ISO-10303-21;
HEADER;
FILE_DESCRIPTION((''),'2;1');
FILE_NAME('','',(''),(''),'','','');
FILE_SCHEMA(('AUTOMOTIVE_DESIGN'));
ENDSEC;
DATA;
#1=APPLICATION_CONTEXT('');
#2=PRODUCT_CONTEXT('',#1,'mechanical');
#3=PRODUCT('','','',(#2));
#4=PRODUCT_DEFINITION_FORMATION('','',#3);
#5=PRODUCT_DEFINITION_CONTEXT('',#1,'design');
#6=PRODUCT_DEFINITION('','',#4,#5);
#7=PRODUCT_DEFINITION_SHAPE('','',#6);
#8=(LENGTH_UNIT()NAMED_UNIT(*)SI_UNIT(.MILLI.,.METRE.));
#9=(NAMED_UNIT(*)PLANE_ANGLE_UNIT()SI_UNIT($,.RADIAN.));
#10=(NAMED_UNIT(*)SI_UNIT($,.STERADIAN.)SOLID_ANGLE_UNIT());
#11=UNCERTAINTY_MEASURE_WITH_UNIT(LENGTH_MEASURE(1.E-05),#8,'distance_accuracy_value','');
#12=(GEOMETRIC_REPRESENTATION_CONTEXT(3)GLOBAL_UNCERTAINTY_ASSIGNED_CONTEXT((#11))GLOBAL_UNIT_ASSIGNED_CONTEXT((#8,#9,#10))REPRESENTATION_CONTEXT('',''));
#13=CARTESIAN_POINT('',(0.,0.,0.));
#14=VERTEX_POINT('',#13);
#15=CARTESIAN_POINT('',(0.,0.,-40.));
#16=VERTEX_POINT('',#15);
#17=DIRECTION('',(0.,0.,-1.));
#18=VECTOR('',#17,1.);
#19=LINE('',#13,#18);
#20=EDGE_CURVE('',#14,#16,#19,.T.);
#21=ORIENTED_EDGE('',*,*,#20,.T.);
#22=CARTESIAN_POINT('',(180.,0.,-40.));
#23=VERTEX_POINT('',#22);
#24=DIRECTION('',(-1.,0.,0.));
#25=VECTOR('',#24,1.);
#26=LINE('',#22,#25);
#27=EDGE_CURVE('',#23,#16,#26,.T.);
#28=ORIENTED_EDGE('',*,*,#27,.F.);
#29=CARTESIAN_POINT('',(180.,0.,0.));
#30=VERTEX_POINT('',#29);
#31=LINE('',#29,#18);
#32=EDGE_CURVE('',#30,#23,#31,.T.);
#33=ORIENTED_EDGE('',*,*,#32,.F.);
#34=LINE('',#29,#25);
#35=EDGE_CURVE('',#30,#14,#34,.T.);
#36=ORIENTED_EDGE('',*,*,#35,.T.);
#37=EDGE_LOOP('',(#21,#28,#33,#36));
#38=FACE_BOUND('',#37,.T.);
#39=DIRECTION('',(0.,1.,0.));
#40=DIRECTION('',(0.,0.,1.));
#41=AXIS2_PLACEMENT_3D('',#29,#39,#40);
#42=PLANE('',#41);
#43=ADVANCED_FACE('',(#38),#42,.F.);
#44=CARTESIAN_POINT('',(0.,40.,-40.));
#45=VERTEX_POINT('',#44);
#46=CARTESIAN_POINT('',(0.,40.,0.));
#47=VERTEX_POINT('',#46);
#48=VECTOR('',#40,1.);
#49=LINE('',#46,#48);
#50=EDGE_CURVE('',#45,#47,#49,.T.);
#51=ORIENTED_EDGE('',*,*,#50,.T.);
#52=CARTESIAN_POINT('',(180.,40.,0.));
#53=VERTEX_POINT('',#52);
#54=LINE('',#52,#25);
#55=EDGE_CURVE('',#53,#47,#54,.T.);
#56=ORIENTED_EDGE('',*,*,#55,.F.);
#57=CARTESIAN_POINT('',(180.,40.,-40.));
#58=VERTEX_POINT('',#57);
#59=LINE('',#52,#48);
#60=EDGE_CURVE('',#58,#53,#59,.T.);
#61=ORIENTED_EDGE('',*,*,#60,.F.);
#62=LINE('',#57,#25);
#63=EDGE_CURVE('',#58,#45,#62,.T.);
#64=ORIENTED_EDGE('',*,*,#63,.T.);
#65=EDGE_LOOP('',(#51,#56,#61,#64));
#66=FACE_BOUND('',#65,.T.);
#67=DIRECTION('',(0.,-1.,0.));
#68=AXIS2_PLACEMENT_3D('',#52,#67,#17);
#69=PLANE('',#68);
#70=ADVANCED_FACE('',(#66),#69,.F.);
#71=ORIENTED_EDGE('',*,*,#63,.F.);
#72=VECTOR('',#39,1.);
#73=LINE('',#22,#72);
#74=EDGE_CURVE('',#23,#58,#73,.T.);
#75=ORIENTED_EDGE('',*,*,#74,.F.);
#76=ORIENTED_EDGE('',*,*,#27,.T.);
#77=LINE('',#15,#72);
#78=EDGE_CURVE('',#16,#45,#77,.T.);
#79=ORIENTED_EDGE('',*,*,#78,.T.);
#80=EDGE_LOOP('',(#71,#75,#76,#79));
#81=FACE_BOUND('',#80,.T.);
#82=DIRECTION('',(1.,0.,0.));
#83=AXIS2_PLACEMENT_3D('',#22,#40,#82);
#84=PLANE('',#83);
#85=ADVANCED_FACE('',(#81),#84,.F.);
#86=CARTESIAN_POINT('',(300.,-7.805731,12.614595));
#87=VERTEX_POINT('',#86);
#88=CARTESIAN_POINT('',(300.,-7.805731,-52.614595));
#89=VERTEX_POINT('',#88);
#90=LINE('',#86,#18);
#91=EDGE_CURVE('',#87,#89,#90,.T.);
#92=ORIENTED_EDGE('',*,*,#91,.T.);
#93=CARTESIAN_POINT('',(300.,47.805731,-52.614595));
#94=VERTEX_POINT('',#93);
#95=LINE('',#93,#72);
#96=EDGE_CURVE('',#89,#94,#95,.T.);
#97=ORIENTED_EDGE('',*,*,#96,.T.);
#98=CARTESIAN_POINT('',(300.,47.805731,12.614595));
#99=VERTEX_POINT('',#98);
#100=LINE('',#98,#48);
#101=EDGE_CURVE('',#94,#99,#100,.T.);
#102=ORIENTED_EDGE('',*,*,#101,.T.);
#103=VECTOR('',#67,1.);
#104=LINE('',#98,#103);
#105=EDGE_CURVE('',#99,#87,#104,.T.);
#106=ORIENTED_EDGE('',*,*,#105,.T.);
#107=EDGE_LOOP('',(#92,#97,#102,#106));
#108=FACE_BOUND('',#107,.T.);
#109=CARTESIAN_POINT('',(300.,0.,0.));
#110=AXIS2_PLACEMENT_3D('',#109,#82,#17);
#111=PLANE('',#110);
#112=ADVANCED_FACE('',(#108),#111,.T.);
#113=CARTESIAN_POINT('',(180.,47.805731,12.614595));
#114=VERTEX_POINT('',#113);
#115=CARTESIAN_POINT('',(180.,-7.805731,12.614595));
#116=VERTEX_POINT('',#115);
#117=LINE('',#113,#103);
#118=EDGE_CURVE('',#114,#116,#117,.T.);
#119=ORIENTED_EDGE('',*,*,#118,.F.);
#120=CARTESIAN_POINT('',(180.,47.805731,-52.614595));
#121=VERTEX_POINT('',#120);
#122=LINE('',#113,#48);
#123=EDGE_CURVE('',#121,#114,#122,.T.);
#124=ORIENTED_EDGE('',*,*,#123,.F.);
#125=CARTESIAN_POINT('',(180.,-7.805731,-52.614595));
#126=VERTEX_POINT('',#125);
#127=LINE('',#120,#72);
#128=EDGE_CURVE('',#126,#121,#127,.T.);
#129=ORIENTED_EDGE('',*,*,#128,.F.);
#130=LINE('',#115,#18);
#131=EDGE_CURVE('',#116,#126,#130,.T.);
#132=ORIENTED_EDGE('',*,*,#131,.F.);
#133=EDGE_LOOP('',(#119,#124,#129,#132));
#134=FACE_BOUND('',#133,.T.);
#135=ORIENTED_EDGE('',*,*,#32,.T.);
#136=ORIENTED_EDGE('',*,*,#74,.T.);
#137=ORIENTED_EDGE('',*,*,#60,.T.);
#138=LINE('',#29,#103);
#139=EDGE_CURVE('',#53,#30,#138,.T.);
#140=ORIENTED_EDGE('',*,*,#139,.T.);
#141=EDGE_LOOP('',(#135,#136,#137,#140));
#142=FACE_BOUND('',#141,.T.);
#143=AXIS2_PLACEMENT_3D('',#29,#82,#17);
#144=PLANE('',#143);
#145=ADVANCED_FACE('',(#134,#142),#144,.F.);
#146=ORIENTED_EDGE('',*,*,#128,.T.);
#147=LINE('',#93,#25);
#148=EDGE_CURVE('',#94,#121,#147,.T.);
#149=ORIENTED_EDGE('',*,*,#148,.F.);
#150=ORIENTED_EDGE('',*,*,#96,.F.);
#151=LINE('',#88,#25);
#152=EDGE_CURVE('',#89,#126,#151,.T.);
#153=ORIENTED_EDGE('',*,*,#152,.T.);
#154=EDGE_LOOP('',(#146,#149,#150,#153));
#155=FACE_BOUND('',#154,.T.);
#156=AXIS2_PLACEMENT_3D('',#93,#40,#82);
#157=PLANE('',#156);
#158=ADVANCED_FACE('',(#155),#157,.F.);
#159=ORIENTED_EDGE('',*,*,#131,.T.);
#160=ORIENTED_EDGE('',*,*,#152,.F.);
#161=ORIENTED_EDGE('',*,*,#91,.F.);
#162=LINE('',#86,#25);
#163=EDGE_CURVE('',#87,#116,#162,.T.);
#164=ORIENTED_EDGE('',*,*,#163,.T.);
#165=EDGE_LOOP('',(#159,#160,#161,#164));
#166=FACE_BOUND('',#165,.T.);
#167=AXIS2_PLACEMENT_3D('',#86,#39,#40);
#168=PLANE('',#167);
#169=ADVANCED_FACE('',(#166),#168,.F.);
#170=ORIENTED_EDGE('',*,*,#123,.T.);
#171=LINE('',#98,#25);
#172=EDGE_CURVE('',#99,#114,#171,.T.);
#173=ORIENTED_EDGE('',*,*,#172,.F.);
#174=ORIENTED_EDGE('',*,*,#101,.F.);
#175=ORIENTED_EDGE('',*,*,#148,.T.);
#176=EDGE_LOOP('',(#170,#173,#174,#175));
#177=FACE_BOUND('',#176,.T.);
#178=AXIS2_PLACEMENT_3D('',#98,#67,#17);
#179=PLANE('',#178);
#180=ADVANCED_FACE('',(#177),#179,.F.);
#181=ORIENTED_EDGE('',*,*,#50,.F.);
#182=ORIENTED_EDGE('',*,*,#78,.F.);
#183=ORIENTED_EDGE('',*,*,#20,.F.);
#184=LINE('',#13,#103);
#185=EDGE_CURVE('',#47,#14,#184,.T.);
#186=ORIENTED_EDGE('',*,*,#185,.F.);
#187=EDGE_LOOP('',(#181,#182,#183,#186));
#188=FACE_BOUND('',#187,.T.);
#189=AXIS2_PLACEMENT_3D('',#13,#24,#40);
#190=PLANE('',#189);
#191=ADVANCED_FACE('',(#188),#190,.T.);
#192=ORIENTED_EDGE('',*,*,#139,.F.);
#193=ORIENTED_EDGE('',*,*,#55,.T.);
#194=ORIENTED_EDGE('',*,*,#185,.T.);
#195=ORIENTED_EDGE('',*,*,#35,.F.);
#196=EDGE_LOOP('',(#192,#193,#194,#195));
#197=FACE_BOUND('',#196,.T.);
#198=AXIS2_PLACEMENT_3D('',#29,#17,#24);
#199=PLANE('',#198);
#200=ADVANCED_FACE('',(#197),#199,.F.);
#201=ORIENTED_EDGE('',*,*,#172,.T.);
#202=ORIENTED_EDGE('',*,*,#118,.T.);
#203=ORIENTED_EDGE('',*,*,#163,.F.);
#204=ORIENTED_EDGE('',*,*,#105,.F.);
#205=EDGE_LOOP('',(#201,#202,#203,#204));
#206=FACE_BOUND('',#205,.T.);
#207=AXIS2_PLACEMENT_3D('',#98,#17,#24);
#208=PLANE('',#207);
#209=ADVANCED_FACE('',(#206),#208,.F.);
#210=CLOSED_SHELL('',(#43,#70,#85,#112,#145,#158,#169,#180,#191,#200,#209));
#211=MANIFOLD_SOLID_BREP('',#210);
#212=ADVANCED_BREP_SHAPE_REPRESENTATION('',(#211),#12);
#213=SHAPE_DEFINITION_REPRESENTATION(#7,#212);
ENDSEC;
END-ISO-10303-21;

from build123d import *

# Parameters (mm, degrees)
CROQUIS1_W              = 40
CROQUIS1_H              = 40
SALIENTE_EXTRUIR1_DEPTH = 180
CROQUIS2_W              = 65.229189802
CROQUIS2_H              = 55.611462232
SALIENTE_EXTRUIR2_DEPTH = 120


with BuildPart() as part:
    # Croquis1 → Saliente-Extruir1 (new body)
    with BuildSketch(Plane(origin=(0, 0, 0), x_dir=(0, 0, -1), z_dir=(1, 0, 0))):
        with Locations((20, 20)):
            Rectangle(CROQUIS1_W, CROQUIS1_H)
    extrude(amount=SALIENTE_EXTRUIR1_DEPTH)

    # Croquis2 → Saliente-Extruir2 (add)
    with BuildSketch(Plane(origin=(180, 0, 0), x_dir=(0, 0, -1), z_dir=(1, 0, 0))):
        with Locations((20, 20)):
            Rectangle(CROQUIS2_W, CROQUIS2_H)
    extrude(amount=SALIENTE_EXTRUIR2_DEPTH)


solid = part.part
